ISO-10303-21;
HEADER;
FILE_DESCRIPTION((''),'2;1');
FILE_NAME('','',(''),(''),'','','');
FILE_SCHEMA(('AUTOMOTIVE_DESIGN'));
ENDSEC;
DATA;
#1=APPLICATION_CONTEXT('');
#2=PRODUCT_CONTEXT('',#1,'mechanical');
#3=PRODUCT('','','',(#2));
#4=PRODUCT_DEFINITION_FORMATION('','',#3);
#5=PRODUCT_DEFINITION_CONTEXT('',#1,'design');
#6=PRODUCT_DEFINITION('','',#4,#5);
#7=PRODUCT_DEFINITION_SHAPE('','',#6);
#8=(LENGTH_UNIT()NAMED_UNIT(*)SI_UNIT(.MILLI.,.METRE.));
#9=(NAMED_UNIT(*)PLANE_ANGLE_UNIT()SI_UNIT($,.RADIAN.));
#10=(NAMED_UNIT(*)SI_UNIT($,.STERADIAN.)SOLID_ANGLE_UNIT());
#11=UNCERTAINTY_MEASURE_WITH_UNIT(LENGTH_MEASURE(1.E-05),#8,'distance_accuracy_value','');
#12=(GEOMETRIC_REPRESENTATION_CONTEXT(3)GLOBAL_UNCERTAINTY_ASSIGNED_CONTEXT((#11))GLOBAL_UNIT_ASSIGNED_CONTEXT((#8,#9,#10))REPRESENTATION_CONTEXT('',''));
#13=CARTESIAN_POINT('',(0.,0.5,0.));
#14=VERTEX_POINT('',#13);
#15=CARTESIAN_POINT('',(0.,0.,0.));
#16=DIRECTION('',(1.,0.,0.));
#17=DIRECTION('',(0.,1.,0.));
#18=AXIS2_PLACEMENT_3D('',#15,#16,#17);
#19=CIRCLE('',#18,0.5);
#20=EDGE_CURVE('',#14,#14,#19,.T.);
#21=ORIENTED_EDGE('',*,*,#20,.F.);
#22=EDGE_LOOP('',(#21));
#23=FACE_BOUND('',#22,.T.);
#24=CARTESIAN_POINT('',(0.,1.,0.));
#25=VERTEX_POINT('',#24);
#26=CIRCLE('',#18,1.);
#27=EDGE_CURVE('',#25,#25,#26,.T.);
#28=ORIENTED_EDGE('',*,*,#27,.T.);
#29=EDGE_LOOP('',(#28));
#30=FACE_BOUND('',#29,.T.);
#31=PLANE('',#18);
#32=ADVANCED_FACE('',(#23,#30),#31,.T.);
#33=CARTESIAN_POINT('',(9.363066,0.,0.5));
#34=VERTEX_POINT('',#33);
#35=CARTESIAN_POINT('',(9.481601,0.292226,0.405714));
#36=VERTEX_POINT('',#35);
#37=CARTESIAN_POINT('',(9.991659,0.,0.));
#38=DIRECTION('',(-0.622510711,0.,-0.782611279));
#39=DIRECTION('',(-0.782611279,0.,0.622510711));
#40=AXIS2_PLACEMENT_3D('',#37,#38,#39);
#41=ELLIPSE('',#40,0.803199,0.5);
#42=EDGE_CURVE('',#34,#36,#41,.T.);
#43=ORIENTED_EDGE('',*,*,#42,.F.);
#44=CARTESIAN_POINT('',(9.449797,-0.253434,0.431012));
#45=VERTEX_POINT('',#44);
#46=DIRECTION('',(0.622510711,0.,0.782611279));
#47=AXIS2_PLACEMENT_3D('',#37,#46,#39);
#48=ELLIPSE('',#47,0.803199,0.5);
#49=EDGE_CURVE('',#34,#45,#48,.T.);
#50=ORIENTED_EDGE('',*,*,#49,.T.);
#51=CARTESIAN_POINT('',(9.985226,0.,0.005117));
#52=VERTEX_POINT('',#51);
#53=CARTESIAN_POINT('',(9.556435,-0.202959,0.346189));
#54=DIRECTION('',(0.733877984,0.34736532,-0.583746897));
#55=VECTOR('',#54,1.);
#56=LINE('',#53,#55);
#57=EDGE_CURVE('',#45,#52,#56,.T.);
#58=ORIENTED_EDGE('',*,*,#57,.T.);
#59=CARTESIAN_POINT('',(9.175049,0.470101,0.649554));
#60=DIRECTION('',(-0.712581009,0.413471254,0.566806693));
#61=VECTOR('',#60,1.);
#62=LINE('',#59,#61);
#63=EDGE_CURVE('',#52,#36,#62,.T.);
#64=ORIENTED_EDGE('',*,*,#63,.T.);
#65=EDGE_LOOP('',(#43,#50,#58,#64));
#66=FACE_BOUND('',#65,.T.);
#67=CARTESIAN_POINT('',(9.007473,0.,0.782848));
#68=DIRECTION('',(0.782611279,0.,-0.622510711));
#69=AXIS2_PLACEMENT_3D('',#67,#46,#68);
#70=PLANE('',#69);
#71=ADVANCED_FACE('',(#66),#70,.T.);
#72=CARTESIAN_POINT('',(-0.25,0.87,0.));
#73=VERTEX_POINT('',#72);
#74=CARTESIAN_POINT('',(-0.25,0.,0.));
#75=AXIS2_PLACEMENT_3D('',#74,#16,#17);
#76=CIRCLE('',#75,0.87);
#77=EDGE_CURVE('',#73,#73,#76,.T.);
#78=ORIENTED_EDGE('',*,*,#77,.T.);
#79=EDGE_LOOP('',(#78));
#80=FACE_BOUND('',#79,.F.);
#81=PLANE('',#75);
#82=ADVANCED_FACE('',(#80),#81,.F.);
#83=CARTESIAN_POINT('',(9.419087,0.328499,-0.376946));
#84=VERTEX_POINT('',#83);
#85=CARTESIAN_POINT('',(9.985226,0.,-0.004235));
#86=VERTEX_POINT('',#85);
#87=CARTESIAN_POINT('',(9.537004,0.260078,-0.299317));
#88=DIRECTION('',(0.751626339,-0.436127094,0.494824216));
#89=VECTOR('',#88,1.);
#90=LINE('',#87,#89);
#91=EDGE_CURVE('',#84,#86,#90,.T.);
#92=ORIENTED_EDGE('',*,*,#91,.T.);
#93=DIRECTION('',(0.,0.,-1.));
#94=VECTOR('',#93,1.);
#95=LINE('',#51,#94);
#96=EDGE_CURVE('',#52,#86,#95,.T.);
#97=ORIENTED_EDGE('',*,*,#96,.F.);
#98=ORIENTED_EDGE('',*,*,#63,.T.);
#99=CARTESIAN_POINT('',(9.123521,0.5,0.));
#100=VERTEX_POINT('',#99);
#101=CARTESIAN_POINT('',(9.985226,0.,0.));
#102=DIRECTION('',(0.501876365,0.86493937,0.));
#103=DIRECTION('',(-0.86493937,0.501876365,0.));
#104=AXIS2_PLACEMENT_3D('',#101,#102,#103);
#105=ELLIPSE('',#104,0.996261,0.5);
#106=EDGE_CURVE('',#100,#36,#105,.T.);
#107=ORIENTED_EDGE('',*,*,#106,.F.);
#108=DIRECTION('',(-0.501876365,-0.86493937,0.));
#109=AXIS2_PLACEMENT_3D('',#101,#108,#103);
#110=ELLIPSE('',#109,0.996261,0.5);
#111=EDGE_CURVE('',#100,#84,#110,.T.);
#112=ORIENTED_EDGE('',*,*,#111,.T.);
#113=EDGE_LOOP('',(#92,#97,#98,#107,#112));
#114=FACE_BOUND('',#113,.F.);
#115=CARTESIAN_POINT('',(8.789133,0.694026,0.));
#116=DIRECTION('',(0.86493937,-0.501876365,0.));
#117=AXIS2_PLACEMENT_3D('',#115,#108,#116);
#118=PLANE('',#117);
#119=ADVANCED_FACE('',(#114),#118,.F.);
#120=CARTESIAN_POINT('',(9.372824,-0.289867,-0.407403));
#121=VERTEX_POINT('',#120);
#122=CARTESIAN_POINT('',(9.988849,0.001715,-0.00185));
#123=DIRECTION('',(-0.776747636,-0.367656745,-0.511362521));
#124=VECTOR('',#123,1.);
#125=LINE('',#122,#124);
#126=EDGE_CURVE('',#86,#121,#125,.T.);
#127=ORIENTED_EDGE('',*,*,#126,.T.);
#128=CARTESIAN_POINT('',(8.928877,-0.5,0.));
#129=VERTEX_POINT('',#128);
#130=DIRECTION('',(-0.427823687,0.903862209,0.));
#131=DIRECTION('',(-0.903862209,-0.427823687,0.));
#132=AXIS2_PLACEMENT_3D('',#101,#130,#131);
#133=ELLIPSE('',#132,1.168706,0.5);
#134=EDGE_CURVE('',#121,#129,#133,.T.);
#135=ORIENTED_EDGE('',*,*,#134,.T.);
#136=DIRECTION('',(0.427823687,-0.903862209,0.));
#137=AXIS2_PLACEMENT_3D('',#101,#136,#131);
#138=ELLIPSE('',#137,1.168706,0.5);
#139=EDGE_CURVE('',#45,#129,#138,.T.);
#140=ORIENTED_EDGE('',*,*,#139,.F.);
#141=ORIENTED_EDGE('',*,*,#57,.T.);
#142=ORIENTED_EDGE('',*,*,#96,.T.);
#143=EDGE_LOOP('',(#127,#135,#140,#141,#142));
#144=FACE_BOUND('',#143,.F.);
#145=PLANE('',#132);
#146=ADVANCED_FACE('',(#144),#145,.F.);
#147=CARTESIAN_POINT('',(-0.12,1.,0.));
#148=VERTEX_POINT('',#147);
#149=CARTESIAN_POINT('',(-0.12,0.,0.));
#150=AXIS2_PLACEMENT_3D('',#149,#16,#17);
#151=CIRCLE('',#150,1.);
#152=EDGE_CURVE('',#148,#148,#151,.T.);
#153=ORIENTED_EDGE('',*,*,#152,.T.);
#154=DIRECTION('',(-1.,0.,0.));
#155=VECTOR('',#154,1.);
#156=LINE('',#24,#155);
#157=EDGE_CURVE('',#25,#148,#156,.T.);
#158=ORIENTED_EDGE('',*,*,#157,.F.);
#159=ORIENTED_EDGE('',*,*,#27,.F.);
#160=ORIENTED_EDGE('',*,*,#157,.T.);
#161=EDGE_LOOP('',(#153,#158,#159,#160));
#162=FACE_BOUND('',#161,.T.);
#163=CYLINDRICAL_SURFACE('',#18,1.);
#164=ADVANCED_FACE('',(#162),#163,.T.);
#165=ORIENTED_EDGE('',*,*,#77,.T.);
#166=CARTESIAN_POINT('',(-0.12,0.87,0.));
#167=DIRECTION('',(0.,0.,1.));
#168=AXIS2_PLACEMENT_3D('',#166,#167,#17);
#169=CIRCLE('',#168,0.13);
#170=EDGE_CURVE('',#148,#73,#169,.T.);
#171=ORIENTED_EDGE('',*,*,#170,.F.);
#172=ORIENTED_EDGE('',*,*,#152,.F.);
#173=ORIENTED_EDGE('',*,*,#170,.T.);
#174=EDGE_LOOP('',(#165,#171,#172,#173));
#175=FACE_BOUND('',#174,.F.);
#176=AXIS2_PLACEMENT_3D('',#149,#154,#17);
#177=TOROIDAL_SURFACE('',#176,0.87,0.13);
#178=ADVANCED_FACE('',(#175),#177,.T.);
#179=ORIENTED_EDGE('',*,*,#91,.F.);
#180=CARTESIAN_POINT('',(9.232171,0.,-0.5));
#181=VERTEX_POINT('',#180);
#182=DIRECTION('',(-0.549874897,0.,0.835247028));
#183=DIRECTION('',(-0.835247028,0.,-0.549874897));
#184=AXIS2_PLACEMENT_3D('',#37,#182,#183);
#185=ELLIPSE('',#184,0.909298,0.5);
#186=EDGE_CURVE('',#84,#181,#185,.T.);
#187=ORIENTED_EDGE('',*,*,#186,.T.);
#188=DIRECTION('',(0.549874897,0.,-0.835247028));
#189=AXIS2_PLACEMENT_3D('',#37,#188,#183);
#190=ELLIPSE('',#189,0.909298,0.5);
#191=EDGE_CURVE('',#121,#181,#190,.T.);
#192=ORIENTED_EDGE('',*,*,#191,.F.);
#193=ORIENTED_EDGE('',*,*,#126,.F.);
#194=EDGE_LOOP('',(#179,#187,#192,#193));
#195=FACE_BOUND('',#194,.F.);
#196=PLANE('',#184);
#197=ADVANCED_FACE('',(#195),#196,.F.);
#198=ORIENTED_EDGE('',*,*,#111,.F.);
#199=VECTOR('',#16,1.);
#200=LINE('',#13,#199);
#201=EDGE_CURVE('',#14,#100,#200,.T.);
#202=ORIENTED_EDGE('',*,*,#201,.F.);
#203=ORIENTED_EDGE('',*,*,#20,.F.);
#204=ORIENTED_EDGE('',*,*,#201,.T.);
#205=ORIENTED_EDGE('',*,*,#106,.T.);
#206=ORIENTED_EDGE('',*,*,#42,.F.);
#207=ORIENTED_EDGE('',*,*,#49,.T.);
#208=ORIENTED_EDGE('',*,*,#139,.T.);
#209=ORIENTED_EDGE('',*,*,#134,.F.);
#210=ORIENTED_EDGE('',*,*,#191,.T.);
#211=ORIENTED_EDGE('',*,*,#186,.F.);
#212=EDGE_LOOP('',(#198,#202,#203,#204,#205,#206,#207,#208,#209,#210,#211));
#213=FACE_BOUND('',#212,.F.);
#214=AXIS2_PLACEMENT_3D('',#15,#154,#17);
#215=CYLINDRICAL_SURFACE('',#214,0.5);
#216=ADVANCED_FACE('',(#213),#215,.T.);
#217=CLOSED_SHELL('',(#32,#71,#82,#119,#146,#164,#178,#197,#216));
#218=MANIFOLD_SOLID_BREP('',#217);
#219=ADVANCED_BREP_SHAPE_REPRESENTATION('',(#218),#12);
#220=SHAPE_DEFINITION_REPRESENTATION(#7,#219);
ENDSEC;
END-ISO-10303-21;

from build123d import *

# Parameters (mm, degrees)
F0_R          = 0.5
F1_DEPTH      = 10
F0_R_2        = 1
F2_DEPTH      = 0.25
F3_R          = 0.13
F5_DEPTH      = 25
F5_DEPTH_BACK = 25
F7_DEPTH      = 25
F7_DEPTH_BACK = 25


with BuildPart() as f1:
    # F0 (on Right) → F1 (new body)
    with BuildSketch(Plane.YZ):
        Circle(F0_R)
    extrude(amount=F1_DEPTH)

    # F0 (on Right) → F2 (join)
    with BuildSketch(Plane.YZ):
        Circle(F0_R_2)
        Circle(F0_R, mode=Mode.SUBTRACT)
        Circle(F0_R)
    extrude(amount=-F2_DEPTH)

    # F3
    f3_edges = [f1.edges().sort_by_distance(p)[0] for p in [
        (-0.25, -1, 0),
    ]]
    fillet(f3_edges, radius=F3_R)

    # F4 (on Front) → F5 (cut, two sides)
    with BuildSketch(Plane.XZ) as f5_sk:
        Polygon((9.2973364517, 1.1940489057), (9.0074734762, 0.7828483358), (9.9916588515, 0), (8.8052442297, -0.7810618845), (10.7196858153, -0.7540978841), (10.7331676409, 1.3423507335), align=None)
    extrude(amount=-F5_DEPTH, mode=Mode.SUBTRACT)
    extrude(f5_sk.sketch, amount=F5_DEPTH_BACK, mode=Mode.SUBTRACT)

    # F6 (on Top) → F7 (cut, two sides)
    with BuildSketch(Plane.XY) as f7_sk:
        Polygon((9.9852262065, 0), (8.3366055042, -0.7803390617), (11.1771607772, -1.2145728106), (11.2198108528, 0.6940264138), (8.7891332805, 0.6940264138), align=None)
    extrude(amount=F7_DEPTH, mode=Mode.SUBTRACT)
    extrude(f7_sk.sketch, amount=-F7_DEPTH_BACK, mode=Mode.SUBTRACT)


solid = f1.part
